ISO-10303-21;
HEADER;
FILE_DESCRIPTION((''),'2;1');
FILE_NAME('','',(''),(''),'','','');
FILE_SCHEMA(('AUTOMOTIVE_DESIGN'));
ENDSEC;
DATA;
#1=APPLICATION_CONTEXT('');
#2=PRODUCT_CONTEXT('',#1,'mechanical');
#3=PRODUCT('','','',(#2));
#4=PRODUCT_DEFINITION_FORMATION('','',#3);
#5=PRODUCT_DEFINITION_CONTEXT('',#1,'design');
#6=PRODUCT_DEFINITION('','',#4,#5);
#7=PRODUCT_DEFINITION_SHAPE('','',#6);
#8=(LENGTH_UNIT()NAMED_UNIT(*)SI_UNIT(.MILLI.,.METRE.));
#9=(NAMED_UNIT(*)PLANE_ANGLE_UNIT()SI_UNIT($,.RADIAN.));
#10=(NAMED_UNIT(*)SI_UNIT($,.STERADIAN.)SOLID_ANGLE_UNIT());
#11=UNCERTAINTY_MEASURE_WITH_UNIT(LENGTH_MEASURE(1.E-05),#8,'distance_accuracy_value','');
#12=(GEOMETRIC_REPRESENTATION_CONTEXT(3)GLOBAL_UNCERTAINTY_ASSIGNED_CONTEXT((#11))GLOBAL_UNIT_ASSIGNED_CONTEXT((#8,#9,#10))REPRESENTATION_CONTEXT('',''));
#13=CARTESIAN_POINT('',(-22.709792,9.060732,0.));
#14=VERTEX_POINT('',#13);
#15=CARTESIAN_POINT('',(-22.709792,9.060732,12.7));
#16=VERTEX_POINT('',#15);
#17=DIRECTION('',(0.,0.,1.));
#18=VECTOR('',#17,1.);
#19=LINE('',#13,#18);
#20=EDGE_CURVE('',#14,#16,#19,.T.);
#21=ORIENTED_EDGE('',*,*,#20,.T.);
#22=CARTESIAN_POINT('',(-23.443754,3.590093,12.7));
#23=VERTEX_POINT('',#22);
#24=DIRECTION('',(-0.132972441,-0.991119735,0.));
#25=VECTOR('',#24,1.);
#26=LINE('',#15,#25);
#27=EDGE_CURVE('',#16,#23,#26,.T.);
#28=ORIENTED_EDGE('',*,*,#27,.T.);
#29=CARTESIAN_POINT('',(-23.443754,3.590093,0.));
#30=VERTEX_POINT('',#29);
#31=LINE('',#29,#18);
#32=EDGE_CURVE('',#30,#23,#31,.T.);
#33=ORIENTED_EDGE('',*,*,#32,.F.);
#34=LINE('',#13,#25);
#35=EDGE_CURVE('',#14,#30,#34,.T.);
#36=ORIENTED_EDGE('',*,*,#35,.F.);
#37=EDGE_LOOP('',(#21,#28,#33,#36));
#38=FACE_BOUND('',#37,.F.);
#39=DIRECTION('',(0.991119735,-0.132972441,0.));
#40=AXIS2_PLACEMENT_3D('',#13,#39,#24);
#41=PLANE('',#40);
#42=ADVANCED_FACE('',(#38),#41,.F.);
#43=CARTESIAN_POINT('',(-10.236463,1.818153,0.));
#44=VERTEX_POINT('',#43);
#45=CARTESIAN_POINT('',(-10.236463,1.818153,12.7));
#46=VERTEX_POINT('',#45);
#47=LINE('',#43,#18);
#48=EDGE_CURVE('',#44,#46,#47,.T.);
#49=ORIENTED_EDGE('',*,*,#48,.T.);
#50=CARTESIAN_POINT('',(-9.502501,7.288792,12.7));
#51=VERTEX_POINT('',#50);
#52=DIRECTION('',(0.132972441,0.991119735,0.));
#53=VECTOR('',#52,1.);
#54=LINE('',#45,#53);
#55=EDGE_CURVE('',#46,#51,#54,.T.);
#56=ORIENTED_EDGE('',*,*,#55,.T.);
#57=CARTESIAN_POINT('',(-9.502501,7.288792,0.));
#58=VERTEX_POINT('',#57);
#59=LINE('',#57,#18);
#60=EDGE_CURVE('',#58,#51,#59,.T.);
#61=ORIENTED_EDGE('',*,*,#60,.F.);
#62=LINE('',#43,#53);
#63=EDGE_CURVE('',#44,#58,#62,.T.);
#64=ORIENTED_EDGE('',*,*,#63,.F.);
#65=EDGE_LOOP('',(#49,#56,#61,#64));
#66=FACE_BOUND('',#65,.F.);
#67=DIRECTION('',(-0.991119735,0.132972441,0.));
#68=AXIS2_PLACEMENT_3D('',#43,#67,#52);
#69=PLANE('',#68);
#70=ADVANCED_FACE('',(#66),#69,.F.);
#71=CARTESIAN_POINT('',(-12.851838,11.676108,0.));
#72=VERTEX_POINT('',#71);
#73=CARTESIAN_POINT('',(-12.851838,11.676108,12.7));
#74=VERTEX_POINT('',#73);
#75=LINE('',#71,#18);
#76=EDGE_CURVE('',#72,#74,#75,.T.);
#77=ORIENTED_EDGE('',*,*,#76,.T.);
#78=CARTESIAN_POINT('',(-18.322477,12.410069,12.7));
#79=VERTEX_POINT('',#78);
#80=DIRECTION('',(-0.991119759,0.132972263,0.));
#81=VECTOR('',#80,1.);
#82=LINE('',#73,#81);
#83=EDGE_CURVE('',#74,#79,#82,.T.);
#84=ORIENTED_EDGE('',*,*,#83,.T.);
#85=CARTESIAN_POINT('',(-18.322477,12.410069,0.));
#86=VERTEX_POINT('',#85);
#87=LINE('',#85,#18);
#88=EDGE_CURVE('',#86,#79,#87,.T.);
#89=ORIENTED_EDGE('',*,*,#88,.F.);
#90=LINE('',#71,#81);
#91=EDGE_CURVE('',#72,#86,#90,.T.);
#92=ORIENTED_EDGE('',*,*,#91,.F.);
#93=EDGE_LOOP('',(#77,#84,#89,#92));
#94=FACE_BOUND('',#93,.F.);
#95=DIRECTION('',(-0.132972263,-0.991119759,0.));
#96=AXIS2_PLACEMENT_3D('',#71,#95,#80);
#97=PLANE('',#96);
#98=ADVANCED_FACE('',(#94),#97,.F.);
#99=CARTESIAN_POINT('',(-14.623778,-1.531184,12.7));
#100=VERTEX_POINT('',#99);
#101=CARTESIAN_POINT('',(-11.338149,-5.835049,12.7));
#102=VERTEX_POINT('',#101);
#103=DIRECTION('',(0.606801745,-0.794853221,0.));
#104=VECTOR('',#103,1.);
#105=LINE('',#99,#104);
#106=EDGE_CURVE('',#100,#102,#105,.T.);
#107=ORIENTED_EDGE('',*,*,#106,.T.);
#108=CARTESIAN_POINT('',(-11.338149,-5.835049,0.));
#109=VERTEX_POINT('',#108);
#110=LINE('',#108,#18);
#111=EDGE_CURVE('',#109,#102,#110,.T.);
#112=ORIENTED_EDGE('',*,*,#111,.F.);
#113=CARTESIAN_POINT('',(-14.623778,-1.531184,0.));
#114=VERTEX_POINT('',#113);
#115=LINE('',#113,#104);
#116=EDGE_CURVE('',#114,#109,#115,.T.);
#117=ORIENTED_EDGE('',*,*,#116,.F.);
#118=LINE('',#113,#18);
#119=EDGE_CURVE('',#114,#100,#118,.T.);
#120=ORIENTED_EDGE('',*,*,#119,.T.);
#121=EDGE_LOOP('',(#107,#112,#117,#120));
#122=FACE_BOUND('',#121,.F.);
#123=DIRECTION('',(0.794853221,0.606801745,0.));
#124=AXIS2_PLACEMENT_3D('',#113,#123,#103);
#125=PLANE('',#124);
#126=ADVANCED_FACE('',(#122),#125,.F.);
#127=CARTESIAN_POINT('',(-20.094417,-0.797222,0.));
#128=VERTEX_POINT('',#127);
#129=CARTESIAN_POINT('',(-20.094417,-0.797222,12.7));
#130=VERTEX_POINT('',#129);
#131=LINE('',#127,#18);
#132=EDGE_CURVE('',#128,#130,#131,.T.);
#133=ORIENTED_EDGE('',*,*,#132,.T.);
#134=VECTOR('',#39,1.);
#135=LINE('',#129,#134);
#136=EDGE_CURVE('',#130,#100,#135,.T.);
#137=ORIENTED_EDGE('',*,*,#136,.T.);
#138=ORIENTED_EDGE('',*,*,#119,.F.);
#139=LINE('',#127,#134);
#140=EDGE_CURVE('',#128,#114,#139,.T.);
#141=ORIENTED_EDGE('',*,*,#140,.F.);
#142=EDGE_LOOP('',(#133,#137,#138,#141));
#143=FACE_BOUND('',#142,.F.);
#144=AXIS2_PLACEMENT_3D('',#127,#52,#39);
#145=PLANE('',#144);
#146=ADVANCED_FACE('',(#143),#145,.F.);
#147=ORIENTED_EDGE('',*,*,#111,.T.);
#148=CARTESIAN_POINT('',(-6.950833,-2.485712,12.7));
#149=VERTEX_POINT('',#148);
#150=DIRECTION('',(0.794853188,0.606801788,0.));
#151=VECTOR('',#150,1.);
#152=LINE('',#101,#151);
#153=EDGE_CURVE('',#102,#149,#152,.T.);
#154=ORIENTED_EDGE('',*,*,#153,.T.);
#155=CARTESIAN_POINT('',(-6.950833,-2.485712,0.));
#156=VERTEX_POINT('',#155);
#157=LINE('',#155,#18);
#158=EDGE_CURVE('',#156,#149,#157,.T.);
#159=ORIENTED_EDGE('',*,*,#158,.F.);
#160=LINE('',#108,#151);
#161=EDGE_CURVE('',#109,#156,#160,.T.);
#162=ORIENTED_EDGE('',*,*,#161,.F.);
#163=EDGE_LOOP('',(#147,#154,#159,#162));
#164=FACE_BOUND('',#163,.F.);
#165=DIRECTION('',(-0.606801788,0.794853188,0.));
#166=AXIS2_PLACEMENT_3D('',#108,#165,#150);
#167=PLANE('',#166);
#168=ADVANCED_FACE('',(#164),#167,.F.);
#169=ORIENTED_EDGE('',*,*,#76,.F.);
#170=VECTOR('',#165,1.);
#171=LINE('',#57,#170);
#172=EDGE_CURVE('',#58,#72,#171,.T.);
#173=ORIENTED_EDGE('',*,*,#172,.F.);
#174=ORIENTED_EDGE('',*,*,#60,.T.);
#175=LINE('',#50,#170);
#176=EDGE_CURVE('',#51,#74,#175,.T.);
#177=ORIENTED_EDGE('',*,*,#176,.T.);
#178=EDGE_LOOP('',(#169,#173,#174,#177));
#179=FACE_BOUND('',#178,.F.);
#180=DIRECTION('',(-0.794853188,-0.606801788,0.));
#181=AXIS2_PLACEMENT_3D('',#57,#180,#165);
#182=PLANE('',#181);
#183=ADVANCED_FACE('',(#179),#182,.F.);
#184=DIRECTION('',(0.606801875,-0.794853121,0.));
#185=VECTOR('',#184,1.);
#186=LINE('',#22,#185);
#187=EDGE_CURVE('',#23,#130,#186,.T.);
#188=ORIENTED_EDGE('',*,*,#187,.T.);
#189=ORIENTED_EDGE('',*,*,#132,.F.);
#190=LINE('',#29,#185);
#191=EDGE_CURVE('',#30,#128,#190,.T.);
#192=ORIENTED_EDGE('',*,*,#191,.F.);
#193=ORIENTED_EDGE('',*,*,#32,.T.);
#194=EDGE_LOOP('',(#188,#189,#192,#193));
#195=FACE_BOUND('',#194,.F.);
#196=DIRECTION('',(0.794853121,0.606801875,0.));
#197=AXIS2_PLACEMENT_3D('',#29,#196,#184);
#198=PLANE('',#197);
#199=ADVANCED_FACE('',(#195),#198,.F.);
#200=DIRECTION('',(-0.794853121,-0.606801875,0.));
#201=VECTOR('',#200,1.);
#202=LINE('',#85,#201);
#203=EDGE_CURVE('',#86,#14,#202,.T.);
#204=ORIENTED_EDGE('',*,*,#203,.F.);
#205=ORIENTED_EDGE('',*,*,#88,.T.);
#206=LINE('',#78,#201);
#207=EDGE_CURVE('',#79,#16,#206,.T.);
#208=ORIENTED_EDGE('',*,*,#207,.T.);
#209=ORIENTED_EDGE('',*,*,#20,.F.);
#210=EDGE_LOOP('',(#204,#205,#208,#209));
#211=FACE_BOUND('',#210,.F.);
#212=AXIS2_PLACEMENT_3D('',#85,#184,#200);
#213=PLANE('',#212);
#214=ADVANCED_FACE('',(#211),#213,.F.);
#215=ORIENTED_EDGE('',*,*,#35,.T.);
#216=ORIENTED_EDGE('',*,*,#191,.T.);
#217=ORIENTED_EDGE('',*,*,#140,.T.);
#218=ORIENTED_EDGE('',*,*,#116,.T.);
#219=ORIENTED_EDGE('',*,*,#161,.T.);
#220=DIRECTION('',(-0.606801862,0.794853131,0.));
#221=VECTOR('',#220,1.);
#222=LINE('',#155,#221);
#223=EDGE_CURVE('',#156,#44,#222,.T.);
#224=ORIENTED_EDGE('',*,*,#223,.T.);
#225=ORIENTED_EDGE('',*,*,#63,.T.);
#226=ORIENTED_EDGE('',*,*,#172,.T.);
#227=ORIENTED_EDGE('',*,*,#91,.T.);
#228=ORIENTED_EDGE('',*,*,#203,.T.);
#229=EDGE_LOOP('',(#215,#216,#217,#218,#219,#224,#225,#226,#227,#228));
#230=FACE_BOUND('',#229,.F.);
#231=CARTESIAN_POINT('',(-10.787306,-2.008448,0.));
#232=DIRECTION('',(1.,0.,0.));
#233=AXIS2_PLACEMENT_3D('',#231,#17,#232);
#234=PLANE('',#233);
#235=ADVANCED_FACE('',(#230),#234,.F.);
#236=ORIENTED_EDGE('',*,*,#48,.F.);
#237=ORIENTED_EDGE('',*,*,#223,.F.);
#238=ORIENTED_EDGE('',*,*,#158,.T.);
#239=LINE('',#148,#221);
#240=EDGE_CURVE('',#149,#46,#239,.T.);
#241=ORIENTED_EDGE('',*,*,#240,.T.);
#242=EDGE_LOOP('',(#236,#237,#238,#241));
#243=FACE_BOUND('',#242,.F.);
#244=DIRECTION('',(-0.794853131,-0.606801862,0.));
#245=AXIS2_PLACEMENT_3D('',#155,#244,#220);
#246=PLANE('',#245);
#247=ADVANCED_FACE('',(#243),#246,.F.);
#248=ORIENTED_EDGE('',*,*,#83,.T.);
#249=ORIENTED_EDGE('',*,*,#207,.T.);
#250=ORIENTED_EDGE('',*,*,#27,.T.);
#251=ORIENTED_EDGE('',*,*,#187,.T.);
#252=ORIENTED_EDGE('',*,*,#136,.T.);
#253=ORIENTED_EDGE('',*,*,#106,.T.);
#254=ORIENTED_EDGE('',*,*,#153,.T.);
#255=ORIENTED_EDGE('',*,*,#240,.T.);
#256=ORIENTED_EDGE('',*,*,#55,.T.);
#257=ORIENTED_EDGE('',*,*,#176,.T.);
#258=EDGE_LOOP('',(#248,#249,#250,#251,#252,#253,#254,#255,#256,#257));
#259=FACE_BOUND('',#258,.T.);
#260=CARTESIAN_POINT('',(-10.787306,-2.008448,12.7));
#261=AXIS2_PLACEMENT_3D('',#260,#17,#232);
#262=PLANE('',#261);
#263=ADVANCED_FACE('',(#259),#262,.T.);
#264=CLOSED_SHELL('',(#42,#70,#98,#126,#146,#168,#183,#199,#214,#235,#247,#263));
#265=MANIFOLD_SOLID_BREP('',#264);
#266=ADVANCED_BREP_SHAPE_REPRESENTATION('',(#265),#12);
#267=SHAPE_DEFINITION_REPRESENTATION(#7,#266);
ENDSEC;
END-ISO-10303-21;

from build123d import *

# Parameters (mm, degrees)
F1_DEPTH = 12.7


with BuildPart() as f1:
    # F0 (on Top) → F1 (new body)
    with BuildSketch(Plane.XY):
        Polygon((-6.950833, -2.485712), (-10.236463, 1.818153), (-14.623778, -1.531184), (-11.338149, -5.835049), align=None)
        Polygon((-14.623778, -1.531184), (-10.236463, 1.818153), (-9.502501, 7.288792), (-12.851838, 11.676108), (-18.322477, 12.410069), (-22.709792, 9.060732), (-23.443754, 3.590093), (-20.094417, -0.797222), align=None)
    extrude(amount=F1_DEPTH)


solid = f1.part
